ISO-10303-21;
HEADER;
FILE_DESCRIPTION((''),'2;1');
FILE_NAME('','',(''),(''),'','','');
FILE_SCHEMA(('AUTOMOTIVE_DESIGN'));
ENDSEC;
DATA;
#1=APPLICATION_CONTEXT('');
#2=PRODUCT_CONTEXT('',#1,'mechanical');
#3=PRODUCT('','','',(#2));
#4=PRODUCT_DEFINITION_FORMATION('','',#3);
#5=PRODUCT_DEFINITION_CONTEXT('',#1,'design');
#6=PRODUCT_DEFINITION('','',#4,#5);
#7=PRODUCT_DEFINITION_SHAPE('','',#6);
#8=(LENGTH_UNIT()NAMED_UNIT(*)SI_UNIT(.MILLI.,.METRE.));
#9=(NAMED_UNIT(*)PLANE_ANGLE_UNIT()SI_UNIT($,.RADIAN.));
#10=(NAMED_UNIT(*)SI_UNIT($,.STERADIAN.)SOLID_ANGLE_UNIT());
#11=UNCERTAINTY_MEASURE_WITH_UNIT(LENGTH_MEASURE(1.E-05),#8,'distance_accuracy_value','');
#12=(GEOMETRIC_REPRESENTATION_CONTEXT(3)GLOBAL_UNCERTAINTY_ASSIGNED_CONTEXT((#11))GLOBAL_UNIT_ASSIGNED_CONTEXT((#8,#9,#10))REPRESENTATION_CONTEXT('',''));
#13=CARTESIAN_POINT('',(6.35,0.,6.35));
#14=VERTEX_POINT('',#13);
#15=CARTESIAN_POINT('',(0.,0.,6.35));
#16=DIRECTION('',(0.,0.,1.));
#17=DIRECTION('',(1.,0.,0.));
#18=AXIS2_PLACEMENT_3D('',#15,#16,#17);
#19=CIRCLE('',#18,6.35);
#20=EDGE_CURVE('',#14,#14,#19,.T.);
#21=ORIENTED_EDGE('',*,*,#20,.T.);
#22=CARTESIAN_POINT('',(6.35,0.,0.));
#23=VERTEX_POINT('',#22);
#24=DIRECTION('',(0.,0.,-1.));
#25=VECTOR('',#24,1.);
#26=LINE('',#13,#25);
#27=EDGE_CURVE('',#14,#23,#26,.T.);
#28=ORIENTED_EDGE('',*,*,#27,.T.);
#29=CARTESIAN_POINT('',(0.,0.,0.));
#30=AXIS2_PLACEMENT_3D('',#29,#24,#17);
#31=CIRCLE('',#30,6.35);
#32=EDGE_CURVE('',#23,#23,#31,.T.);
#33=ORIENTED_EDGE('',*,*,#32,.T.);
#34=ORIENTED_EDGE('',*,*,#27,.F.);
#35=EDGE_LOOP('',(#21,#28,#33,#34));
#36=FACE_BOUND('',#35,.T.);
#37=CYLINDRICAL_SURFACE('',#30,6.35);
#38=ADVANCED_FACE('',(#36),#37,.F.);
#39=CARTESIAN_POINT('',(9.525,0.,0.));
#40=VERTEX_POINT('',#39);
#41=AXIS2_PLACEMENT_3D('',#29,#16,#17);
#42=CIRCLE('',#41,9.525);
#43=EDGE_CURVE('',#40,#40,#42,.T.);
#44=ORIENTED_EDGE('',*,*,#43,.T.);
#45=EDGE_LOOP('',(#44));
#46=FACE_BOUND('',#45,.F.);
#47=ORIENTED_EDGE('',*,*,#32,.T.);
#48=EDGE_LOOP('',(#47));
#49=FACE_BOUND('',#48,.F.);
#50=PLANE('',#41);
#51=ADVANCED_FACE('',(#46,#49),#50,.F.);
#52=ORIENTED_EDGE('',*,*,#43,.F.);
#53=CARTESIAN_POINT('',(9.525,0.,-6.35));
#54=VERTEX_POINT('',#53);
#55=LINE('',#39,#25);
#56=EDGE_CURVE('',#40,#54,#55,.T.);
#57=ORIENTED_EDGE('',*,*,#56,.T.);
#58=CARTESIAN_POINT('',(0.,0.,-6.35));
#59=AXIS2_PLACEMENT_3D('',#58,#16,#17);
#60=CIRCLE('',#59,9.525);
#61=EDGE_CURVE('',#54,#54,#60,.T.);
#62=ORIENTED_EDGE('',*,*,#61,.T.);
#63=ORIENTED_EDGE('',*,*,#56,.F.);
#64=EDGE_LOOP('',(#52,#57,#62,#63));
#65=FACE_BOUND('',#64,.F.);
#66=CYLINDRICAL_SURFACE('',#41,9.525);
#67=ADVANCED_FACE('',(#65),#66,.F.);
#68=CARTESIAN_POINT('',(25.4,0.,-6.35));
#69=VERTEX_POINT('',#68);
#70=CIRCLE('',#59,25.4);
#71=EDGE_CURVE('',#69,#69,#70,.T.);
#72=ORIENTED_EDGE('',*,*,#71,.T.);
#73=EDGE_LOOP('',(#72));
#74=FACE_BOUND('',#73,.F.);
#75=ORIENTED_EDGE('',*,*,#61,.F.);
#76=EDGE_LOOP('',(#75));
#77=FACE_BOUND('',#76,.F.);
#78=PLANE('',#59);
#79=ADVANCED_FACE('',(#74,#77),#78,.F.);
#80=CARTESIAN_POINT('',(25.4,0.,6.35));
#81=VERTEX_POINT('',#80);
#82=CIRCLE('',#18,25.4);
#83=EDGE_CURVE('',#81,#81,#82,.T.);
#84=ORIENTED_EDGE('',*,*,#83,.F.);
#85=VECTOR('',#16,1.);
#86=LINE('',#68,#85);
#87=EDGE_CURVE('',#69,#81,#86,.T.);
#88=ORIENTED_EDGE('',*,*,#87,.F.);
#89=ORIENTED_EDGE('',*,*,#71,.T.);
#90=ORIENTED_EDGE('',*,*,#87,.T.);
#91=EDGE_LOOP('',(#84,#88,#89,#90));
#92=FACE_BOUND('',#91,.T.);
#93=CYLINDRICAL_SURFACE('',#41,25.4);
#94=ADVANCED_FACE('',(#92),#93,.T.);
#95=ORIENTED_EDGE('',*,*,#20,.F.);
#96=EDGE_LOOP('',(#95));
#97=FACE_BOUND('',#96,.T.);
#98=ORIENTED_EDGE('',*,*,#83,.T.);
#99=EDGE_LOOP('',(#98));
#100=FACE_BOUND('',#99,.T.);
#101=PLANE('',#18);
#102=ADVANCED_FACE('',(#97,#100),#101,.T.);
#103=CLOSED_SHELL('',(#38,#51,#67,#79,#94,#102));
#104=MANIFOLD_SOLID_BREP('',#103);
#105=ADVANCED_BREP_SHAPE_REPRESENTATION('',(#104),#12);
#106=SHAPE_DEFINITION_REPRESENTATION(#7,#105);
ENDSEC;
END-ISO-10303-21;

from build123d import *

# Parameters (mm, degrees)
F0_R     = 25.4
F0_R_2   = 6.35
F1_DEPTH = 6.35
F2_R     = 9.525
F3_DEPTH = 6.35


with BuildPart() as f1:
    # F0 (on Top) → F1 (new body, symmetric)
    with BuildSketch(Plane.XY):
        Circle(F0_R)
        Circle(F0_R_2, mode=Mode.SUBTRACT)
    extrude(amount=F1_DEPTH, both=True)

    # F2 (on Top) → F3 (cut)
    with BuildSketch(Plane.XY):
        Circle(F2_R)
    extrude(amount=-F3_DEPTH, mode=Mode.SUBTRACT)


solid = f1.part
